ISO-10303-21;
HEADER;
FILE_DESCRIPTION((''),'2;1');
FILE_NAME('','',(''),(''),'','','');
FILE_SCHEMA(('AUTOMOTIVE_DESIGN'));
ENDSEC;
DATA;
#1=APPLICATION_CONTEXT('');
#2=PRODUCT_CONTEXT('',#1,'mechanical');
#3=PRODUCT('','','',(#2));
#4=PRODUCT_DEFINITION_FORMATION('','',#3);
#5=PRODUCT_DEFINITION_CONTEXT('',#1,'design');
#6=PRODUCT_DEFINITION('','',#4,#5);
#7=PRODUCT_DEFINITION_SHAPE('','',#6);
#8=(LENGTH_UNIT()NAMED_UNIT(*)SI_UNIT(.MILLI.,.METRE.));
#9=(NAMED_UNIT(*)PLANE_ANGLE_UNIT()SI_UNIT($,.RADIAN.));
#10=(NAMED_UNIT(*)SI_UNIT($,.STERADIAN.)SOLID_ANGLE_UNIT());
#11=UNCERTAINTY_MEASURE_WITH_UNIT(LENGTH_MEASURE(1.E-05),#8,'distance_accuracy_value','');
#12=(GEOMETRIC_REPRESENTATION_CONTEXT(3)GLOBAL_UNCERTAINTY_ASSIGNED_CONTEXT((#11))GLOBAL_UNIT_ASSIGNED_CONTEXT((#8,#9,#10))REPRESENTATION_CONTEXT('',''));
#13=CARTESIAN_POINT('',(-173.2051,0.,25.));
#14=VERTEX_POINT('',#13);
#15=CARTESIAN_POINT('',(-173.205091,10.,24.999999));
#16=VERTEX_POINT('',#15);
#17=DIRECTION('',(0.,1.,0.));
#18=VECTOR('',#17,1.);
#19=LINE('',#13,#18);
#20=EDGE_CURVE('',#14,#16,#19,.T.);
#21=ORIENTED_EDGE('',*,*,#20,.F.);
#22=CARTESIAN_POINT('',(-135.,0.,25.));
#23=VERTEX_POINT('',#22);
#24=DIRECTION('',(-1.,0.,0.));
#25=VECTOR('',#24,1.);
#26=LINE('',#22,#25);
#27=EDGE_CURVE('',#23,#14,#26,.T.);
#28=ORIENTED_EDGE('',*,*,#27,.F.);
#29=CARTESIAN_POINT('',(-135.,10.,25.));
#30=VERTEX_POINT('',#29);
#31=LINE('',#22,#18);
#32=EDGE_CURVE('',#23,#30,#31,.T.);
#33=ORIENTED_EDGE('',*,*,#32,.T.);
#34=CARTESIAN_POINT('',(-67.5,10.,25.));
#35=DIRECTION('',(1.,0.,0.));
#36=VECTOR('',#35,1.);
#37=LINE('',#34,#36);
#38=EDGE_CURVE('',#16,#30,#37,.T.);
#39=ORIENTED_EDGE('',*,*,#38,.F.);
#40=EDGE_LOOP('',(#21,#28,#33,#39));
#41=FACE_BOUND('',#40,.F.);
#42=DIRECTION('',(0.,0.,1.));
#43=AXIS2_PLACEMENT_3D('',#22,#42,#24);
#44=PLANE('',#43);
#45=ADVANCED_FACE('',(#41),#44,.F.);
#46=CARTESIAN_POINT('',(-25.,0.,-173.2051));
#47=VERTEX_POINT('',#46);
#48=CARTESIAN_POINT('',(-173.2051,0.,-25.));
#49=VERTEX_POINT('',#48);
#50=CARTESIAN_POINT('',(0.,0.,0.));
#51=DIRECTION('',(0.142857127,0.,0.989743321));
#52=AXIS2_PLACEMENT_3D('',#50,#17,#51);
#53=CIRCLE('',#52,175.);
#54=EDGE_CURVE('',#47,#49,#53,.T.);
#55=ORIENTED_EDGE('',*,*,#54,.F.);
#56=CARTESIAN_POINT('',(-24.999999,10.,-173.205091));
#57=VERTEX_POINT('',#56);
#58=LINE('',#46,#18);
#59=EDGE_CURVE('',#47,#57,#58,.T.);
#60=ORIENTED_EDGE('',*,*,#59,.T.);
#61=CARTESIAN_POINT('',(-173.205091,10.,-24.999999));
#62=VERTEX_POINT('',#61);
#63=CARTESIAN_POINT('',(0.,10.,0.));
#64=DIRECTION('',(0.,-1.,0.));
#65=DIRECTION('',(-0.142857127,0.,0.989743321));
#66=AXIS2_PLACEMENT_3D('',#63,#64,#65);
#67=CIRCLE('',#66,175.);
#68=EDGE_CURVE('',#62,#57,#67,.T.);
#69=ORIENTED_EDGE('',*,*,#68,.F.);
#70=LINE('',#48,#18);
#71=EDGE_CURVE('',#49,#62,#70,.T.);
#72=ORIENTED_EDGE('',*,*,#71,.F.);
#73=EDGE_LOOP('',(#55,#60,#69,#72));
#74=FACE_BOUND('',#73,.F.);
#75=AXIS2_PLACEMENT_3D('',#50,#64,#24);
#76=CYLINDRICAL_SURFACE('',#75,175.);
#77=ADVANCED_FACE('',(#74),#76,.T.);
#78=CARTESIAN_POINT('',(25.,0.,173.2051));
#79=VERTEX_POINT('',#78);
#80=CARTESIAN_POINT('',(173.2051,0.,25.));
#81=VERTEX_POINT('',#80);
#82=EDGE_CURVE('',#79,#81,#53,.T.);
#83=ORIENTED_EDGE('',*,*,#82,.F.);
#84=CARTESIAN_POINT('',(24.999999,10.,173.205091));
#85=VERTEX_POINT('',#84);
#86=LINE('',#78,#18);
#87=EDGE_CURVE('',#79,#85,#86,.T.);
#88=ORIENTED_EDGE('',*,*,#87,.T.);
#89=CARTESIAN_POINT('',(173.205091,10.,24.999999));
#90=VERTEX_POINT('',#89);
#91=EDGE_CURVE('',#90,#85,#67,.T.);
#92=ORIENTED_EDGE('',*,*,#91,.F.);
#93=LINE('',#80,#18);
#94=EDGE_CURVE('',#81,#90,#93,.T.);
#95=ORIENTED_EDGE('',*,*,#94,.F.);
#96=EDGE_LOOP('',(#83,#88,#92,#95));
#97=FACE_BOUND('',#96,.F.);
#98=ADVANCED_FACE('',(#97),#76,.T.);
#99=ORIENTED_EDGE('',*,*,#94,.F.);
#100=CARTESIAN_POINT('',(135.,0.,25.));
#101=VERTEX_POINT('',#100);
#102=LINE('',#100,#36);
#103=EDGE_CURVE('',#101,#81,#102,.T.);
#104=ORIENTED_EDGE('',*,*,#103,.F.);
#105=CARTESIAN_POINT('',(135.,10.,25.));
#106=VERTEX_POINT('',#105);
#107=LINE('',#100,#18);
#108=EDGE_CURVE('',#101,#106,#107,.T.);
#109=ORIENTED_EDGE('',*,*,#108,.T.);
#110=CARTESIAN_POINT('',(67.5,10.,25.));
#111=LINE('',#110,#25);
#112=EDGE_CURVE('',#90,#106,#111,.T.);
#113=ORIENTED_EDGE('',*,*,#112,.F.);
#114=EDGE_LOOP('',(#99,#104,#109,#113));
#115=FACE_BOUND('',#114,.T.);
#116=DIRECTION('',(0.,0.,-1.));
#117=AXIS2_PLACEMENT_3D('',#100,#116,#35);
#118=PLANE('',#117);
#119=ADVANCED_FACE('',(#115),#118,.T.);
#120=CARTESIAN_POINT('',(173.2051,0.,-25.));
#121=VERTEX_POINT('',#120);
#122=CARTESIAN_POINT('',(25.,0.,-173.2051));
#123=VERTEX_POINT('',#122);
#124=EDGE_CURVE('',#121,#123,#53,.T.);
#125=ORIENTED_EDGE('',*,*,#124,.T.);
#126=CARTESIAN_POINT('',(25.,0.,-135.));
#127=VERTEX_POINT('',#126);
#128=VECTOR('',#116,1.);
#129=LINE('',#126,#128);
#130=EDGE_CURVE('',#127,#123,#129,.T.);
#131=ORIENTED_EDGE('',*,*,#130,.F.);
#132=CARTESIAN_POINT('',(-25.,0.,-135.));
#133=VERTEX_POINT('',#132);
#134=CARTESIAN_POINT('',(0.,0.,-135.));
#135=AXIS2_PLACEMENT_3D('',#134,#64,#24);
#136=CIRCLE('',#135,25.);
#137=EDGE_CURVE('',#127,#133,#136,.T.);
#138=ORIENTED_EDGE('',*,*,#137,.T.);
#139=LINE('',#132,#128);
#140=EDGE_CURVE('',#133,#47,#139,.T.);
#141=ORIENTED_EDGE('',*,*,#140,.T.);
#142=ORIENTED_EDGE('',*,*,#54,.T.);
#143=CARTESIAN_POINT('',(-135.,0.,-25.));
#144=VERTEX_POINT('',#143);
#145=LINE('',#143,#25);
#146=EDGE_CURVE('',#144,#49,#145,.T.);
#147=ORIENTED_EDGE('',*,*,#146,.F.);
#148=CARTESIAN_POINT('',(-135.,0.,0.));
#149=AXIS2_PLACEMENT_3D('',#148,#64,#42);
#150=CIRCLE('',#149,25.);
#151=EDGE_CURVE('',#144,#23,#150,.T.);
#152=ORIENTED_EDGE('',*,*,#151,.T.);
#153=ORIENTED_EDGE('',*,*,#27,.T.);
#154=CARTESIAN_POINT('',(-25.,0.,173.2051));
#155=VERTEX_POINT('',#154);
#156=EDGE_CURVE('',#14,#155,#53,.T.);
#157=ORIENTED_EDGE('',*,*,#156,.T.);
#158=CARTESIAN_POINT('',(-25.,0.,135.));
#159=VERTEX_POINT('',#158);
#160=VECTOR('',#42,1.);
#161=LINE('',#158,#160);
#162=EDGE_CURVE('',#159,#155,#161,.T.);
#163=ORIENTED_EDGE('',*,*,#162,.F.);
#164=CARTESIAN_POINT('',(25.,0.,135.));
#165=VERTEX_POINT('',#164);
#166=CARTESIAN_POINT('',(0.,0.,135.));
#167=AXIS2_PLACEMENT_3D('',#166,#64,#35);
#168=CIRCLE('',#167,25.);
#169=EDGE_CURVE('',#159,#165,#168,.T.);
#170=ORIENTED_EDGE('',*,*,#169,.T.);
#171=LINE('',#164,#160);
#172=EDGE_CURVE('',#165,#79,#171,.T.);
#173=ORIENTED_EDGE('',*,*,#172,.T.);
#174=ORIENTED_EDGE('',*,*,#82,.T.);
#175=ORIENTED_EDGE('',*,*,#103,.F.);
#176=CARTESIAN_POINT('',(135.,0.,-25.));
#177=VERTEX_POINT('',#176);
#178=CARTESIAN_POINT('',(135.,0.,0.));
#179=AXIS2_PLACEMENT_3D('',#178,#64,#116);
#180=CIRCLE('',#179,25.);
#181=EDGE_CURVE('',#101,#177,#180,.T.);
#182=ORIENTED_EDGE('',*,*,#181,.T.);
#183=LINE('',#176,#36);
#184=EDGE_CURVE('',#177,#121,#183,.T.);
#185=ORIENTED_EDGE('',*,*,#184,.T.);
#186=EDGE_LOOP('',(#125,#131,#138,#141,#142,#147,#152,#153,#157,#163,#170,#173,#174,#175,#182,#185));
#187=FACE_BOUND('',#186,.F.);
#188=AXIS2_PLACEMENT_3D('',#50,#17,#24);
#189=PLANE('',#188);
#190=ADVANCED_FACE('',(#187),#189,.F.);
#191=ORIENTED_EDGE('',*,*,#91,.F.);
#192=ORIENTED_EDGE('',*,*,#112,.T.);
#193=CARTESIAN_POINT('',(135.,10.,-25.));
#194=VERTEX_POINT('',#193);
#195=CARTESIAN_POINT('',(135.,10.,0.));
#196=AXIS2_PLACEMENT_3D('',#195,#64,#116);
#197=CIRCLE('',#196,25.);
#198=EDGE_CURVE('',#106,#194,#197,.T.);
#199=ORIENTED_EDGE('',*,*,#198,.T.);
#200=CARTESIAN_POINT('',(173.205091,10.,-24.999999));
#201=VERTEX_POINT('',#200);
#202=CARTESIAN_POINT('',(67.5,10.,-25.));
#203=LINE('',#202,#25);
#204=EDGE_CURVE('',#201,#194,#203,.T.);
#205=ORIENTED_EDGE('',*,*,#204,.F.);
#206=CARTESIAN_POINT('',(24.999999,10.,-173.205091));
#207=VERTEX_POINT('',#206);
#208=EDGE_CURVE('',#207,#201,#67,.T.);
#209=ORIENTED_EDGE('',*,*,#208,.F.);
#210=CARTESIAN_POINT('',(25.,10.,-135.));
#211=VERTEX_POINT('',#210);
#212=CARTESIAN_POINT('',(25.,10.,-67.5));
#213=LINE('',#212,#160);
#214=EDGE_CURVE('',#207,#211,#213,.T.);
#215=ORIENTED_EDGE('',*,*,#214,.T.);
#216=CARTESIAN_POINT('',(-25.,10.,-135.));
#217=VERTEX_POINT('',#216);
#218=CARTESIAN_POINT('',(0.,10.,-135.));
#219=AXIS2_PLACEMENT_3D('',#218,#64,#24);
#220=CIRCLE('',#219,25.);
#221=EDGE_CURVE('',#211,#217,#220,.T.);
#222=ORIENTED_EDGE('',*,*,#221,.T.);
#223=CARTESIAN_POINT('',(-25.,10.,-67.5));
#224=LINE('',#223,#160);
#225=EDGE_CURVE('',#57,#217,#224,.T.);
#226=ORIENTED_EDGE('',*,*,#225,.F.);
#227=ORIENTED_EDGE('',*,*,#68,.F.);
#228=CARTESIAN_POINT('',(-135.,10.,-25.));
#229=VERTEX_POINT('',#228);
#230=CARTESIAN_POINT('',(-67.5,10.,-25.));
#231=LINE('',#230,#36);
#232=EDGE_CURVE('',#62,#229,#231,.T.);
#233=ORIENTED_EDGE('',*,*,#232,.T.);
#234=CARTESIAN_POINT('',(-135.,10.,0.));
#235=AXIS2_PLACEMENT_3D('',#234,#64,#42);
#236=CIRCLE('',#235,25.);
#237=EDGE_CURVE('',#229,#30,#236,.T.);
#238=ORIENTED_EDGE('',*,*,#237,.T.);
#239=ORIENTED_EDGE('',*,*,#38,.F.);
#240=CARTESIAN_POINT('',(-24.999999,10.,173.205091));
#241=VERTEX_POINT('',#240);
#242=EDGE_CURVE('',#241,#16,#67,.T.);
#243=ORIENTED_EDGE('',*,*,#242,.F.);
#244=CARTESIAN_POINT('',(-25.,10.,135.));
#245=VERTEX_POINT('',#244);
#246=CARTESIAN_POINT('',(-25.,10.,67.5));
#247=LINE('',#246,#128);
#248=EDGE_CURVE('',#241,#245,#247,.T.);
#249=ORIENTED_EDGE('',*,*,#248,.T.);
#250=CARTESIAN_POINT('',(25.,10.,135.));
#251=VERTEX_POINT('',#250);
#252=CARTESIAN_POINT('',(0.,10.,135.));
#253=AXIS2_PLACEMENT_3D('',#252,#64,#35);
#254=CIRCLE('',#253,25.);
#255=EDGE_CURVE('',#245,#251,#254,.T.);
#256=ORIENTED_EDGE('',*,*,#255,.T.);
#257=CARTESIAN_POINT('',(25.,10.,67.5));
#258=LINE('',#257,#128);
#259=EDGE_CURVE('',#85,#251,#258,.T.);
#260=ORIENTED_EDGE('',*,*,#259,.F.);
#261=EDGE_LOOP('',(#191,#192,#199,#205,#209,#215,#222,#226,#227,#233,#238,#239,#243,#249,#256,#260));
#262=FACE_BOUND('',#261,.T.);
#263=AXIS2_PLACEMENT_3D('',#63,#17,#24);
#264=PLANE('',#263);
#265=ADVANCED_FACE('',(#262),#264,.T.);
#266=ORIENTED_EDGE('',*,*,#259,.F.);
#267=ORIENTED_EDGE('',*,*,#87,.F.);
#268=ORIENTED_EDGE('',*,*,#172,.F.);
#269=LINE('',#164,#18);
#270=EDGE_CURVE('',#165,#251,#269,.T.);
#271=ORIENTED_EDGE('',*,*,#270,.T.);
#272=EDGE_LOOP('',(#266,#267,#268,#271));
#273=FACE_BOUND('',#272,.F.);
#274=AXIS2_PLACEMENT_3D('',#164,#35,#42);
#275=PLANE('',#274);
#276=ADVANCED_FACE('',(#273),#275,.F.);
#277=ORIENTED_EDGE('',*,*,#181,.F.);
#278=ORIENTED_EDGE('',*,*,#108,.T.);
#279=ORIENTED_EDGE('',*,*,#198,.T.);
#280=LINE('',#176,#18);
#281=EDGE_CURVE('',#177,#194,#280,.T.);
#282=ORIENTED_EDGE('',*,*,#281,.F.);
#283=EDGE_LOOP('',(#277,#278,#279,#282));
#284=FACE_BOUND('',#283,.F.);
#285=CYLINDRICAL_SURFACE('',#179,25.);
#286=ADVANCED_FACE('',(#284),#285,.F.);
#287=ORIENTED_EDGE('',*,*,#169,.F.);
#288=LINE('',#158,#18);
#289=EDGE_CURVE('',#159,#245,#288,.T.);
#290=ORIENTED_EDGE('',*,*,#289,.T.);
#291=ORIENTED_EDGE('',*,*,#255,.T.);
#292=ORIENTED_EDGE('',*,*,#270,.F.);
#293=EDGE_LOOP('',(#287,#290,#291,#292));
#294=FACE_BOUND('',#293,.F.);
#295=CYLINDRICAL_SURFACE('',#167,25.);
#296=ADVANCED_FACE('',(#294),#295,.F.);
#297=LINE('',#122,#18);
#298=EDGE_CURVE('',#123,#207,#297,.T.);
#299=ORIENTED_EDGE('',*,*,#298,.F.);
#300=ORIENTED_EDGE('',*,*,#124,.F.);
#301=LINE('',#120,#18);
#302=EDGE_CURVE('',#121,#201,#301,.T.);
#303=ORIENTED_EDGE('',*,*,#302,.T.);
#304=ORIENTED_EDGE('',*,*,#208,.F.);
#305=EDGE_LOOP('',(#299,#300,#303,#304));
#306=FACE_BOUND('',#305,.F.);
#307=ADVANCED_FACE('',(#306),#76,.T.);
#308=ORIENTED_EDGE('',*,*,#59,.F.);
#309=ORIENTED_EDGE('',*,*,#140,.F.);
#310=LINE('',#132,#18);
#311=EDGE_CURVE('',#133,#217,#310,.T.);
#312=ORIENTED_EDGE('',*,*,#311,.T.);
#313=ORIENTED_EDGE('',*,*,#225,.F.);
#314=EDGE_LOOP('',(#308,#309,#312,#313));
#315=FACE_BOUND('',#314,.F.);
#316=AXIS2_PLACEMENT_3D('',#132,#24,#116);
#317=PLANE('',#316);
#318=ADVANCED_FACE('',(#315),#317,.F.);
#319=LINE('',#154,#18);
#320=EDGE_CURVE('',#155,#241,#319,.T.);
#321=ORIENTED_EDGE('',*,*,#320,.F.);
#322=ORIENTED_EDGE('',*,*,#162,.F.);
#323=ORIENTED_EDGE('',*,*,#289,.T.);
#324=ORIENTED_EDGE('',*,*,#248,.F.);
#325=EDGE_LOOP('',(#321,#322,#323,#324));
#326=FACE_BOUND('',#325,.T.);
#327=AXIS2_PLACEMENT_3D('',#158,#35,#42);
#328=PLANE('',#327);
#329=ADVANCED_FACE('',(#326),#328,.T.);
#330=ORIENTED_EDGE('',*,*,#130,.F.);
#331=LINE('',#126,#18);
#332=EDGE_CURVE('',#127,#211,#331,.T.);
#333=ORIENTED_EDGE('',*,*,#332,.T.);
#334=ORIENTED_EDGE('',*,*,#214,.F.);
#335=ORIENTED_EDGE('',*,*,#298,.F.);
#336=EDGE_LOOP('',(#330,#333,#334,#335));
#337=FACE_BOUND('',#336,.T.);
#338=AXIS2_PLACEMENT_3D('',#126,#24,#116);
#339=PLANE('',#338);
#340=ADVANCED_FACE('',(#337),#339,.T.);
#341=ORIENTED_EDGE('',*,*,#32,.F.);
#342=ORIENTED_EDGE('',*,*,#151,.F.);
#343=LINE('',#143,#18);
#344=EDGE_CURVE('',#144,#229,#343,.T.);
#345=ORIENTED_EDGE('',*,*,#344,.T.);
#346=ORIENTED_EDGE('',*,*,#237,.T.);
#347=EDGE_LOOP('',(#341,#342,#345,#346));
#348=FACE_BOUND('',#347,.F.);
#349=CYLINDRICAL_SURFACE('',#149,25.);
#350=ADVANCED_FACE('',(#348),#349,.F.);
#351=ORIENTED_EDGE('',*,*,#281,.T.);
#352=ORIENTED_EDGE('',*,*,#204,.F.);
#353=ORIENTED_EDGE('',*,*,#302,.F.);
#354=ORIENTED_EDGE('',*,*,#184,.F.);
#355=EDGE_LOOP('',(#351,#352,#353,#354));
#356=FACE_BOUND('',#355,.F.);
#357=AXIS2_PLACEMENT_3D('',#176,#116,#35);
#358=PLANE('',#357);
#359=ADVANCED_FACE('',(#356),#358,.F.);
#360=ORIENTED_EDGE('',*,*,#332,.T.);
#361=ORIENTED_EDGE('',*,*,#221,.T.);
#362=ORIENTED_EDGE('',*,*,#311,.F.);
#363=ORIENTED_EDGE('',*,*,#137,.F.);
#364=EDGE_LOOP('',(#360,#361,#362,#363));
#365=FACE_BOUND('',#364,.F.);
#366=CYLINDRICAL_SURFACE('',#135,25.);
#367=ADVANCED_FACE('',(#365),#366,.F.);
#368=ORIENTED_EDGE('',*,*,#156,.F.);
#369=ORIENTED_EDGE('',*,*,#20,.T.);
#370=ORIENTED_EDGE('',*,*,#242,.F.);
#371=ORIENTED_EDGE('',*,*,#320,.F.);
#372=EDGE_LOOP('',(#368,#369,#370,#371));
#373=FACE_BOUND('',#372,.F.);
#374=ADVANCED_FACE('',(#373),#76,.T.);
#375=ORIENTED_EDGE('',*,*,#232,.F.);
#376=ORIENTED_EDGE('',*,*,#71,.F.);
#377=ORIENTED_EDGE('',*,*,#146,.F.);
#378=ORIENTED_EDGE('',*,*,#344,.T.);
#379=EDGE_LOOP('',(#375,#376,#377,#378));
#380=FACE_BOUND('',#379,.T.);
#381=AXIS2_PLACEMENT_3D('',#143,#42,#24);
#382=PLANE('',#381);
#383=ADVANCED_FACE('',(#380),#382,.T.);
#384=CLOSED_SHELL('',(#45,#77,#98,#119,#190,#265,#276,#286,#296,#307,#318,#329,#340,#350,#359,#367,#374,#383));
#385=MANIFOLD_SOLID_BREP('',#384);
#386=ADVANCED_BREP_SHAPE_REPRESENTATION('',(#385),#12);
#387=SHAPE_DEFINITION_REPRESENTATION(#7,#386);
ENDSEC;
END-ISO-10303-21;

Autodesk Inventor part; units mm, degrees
ref_plane "YZ Plane" through (0, 0, 0) normal (1, 0, 0) x (0, 1, 0)
ref_plane "XZ Plane" through (0, 0, 0) normal (0, 1, 0) x (-1, 0, 0)
ref_plane "XY Plane" through (0, 0, 0) normal (0, 0, 1) x (1, 0, 0)
sketch "Sketch1" plane through (0, 0, 0) normal (0, 1, 0) x (-1, 0, 0)
  circle A0 centre (0, 0) radius 175
  dimension "d0" = 350
extrude "Extrusion1" add sketch "Sketch1" along normal blind 10
sketch "Sketch2" plane through (0, 0, 0) normal (0, -1, 0) x (1, 0, 0)
  circle A0 centre (0, 0) radius 175 projected
  circle A1 centre (0, 135) radius 25
  line L0 (-25, 135) -> (-25, 173.2051)
  line L1 (25, 135) -> (25, 173.2051)
  dimension "d3" = 50
  dimension "d4" = 135
extrude "Extrusion2" cut sketch "Sketch2" against normal through all contours L1 A1 L0 A0 | A1 picked at (-14.0746, 168.7936)
pattern_circular "Circular Pattern1" count 4 over 360 about axis through (0, 0, 0) along (0, 1, 0) of "Extrusion2"
properties part number "Base" material "Steel"
